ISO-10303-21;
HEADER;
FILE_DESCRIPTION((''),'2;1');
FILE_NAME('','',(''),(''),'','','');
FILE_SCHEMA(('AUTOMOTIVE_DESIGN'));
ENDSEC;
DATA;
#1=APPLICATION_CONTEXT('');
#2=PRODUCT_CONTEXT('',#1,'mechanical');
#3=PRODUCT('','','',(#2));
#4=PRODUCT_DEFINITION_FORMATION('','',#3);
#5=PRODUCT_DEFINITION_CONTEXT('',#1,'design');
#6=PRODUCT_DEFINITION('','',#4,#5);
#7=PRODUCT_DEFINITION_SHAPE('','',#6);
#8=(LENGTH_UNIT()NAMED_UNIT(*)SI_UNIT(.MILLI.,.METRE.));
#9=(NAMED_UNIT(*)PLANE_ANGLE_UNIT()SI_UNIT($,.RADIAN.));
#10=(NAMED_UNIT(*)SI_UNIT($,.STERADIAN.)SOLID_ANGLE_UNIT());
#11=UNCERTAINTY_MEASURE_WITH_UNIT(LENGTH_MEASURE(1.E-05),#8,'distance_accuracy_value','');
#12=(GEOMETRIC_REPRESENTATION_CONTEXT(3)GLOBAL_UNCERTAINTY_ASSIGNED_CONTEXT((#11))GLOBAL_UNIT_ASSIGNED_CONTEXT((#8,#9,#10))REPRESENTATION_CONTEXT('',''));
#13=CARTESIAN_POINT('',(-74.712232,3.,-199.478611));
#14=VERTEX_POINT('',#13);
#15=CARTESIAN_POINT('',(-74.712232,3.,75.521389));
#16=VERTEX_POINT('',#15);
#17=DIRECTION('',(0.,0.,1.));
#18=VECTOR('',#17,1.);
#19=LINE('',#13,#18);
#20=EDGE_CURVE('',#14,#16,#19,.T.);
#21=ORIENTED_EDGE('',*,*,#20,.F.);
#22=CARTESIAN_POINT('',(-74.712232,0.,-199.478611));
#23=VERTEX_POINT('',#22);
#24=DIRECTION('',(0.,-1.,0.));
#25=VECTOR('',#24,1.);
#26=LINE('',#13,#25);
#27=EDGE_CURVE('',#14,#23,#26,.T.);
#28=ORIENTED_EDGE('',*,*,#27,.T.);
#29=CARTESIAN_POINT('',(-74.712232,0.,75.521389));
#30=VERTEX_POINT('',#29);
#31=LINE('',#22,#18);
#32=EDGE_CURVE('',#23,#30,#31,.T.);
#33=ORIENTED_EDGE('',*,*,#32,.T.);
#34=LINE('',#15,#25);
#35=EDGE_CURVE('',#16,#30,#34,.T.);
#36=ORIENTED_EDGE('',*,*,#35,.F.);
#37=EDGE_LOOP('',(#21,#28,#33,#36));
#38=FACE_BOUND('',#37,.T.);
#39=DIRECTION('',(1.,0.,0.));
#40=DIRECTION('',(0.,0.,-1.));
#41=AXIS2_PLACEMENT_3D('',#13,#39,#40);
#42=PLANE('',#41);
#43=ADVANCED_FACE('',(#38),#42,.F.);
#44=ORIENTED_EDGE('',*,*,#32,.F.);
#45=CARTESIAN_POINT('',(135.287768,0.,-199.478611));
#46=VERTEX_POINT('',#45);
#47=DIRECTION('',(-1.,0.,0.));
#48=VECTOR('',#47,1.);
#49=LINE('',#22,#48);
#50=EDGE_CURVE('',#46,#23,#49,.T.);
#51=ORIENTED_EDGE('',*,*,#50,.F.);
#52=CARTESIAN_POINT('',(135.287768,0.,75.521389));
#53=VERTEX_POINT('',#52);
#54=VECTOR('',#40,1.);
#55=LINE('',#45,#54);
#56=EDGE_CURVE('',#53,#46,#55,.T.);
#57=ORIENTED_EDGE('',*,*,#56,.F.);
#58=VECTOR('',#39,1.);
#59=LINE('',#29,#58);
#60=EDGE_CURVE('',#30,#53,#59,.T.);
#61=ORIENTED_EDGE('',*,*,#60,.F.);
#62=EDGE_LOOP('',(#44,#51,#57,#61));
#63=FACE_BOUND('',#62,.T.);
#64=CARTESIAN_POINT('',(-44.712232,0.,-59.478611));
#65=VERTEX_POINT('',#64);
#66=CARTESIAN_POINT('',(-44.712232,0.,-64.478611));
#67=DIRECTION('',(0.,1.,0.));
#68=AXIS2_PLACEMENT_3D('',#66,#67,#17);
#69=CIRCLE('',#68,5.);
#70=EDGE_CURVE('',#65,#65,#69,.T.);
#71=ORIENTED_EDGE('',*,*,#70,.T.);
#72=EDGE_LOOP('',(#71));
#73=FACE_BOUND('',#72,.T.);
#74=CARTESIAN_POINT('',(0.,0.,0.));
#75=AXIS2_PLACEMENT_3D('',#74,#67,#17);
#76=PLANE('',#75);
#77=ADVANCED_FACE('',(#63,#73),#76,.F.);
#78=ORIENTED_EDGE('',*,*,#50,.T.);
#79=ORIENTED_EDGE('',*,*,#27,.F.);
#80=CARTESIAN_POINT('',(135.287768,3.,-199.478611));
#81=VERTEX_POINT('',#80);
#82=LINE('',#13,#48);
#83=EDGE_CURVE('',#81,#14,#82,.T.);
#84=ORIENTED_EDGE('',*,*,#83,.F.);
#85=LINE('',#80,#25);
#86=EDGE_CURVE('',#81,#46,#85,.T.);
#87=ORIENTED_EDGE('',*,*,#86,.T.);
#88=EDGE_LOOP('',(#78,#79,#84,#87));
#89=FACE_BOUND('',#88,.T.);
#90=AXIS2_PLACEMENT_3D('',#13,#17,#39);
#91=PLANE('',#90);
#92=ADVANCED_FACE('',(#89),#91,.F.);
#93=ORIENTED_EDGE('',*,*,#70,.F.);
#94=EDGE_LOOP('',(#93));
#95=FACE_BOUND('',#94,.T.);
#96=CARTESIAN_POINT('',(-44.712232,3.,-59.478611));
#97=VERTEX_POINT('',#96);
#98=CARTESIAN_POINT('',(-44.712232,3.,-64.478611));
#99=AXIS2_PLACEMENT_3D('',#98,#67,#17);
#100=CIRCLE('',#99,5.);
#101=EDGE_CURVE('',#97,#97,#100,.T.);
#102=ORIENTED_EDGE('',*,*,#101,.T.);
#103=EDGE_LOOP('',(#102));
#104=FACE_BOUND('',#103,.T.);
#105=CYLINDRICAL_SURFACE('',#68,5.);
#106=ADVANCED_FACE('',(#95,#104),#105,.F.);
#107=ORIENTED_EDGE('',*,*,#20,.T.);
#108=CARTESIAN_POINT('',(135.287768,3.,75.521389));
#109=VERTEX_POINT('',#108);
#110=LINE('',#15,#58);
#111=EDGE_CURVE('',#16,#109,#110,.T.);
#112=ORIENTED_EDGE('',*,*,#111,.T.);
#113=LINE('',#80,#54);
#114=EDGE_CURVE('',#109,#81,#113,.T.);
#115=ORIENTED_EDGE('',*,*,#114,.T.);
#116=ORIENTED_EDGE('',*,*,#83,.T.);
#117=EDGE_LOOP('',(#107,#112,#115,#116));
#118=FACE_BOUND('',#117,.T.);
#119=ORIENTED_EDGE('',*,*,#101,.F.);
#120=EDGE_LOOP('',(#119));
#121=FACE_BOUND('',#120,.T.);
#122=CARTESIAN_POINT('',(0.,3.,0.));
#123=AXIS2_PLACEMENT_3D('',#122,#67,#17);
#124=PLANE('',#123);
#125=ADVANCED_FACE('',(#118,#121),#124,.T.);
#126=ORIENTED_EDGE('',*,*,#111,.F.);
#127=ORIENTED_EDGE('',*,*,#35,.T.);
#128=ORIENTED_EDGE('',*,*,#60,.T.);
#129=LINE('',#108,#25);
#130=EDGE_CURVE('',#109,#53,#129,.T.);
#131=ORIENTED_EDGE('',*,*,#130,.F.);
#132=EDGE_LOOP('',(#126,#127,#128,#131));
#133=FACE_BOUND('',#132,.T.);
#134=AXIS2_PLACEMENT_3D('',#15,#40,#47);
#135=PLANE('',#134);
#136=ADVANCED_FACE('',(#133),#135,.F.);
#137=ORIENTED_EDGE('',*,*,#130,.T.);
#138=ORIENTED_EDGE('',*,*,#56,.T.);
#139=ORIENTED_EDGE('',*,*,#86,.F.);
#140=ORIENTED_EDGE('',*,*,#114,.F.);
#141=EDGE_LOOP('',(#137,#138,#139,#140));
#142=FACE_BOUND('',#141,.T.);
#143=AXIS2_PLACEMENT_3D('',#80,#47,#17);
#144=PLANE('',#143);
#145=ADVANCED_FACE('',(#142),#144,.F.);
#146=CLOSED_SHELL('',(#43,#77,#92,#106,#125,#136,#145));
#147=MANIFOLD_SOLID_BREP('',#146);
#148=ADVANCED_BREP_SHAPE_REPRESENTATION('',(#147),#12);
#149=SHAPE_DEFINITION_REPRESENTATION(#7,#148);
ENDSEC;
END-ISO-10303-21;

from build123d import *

# Parameters (mm, degrees)
SKETCH1_W           = 210
SKETCH1_H           = 275
BOSS_EXTRUDE1_DEPTH = 3
SKETCH2_R           = 5
CUT_EXTRUDE1_DEPTH  = 3


with BuildPart() as part:
    # Sketch1 → Boss-Extrude1 (new body)
    with BuildSketch(Plane(origin=(0, 0, 0), x_dir=(1, 0, 0), z_dir=(0, 1, 0))):
        with Locations((30.287768387, 61.978610644)):
            Rectangle(SKETCH1_W, SKETCH1_H)
    extrude(amount=BOSS_EXTRUDE1_DEPTH)

    # Sketch2 → Cut-Extrude1 (cut)
    with BuildSketch(Plane(origin=(0, 3, 0), x_dir=(1, 0, 0), z_dir=(0, 1, 0))):
        with Locations(Location((-44.712231613, 64.478610644, 0), (0, 0, 270))):
            Circle(SKETCH2_R)
    extrude(amount=-CUT_EXTRUDE1_DEPTH, mode=Mode.SUBTRACT)


solid = part.part
